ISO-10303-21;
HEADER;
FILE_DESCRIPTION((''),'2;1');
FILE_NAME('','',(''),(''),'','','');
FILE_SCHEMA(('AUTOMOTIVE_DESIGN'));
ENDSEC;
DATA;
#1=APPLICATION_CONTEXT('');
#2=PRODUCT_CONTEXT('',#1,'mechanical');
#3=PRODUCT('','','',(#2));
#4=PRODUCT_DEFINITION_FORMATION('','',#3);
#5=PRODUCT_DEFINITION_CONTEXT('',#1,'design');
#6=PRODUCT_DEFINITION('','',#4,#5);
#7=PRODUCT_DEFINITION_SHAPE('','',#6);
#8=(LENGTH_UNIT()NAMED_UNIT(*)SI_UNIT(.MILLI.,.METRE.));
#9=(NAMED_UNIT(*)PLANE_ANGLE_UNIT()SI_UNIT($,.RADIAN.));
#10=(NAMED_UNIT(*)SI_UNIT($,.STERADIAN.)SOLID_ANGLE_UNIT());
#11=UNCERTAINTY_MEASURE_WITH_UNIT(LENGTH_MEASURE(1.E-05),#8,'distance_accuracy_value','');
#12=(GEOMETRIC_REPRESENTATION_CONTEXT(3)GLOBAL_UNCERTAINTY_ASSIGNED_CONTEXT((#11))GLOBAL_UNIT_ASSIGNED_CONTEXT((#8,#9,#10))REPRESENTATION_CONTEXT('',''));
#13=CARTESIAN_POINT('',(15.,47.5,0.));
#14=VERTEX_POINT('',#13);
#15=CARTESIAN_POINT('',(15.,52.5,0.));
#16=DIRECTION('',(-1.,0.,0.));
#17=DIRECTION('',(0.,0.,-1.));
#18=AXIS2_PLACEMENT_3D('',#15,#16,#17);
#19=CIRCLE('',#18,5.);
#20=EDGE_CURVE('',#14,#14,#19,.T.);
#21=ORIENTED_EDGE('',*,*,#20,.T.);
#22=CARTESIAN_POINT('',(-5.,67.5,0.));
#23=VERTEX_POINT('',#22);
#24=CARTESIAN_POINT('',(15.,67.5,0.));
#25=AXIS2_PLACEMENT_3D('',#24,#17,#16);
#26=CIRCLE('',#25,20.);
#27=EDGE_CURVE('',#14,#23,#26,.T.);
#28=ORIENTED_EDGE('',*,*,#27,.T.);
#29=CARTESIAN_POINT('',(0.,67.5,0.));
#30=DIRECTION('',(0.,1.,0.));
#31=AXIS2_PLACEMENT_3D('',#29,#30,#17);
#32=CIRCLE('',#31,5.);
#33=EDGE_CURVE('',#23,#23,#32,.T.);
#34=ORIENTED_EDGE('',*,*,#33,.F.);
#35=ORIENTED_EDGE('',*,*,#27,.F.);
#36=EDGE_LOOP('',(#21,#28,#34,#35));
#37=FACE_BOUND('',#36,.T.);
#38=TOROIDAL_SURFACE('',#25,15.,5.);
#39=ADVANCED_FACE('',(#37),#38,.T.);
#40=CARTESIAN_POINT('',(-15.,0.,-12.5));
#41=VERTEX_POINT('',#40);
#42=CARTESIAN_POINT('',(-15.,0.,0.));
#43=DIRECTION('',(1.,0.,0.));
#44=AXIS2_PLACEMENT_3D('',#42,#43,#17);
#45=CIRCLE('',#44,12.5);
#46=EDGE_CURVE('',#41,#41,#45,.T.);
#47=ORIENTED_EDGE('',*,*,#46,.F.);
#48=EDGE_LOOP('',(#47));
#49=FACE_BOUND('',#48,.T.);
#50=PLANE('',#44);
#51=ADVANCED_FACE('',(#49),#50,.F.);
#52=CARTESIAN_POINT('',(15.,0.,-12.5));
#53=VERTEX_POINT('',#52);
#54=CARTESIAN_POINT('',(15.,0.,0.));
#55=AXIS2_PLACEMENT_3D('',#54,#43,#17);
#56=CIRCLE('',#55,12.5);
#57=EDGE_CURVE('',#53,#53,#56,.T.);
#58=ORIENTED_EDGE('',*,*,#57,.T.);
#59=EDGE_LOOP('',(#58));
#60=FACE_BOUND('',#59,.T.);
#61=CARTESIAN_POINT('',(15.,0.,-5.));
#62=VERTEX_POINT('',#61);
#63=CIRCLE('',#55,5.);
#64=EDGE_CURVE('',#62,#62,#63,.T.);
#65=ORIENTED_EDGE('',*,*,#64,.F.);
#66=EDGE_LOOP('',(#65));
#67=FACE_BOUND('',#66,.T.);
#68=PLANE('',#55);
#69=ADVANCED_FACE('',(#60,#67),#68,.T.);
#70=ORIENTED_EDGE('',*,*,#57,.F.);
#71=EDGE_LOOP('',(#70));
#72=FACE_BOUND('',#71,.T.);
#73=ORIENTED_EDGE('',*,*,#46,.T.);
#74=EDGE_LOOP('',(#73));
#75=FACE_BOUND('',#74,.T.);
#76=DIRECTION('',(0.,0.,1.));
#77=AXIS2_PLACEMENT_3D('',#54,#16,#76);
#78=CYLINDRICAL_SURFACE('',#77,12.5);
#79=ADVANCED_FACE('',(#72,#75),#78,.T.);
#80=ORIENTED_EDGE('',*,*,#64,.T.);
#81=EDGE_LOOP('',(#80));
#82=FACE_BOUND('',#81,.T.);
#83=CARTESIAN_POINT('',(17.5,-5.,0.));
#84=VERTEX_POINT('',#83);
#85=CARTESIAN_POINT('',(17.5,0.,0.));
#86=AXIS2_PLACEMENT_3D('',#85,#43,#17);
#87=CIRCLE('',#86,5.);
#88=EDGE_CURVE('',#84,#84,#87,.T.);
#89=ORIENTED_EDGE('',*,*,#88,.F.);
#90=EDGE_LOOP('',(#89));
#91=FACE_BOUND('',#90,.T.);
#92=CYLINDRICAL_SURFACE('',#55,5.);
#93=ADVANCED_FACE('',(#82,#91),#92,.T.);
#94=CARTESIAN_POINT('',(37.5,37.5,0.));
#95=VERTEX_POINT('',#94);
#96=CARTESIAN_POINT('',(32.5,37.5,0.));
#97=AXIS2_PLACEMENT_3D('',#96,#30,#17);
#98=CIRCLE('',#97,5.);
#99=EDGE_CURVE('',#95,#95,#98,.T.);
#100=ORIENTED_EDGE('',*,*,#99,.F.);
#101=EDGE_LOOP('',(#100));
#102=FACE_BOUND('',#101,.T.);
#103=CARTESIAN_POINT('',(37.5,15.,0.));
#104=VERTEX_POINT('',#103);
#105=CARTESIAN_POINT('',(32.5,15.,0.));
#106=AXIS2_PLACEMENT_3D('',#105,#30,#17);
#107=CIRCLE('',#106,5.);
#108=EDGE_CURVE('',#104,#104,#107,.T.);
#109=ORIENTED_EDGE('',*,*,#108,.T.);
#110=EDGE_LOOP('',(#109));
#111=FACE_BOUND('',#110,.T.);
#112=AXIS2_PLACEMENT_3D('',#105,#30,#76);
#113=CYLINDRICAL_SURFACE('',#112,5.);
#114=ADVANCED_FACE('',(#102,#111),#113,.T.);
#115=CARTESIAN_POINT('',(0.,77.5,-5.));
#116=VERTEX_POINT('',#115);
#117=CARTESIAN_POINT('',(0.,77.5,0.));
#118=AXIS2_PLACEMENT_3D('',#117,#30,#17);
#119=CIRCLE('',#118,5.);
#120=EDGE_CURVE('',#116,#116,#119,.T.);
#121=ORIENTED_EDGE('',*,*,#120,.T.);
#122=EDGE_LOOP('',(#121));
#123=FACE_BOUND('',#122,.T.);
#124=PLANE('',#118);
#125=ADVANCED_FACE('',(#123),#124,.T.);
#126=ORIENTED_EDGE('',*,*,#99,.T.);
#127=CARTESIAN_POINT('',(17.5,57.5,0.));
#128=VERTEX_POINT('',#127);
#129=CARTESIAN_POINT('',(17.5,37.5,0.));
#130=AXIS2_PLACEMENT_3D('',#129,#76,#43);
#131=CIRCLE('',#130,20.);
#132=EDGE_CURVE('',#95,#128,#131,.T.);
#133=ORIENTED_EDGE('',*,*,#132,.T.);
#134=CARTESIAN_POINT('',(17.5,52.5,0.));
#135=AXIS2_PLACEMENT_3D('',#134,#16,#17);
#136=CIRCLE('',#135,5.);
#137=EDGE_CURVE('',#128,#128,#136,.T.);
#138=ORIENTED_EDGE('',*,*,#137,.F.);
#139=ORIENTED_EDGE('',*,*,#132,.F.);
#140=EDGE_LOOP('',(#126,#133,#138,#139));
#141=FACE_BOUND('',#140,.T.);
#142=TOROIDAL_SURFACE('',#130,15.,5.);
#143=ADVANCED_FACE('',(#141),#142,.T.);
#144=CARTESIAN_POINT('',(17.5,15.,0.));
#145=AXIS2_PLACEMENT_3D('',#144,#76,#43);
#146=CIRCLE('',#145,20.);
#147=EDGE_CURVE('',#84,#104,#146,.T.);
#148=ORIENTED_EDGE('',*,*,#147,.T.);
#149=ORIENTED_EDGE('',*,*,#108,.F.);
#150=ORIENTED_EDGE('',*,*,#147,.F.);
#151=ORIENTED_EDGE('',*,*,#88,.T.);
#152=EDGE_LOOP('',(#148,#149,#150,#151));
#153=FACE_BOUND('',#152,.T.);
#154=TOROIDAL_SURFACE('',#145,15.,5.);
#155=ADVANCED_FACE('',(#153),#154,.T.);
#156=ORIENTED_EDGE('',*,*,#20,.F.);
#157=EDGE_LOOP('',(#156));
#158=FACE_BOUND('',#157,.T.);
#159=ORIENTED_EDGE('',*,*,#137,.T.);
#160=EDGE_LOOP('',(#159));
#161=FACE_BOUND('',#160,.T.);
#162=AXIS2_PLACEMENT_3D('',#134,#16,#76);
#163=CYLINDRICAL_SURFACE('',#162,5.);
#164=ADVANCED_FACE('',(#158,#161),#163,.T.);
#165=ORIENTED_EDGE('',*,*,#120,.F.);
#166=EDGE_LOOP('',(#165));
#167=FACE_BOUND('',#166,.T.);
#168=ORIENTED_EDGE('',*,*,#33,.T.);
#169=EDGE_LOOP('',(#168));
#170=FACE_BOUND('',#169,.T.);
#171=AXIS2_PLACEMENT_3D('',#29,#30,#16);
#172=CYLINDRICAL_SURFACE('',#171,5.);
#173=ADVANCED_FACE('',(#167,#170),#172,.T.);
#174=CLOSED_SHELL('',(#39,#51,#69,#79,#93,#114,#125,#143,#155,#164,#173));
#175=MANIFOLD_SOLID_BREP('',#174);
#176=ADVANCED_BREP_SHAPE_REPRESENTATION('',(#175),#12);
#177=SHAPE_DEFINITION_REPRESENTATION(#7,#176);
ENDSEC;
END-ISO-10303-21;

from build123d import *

# Parameters (mm, degrees)
SKETCH1_R           = 12.5
BOSS_EXTRUDE1_DEPTH = 15
SKETCH8_R           = 5


with BuildPart() as part:
    # Sketch1 → Boss-Extrude1 (new, symmetric)
    with BuildSketch(Plane(origin=(0, 0, 0), x_dir=(0, 0, -1), z_dir=(1, 0, 0))):
        Circle(SKETCH1_R)
    extrude(amount=BOSS_EXTRUDE1_DEPTH, both=True)

    # Sweep1: sweep along a path in Sketch7
    with BuildLine(Plane.XY) as sweep1_path:
        Line((15, 0), (17.5, 0))
        ThreePointArc((17.5, 0), (28.106601718, 4.393398282), (32.5, 15))
        Line((32.5, 15), (32.5, 37.5))
        ThreePointArc((32.5, 37.5), (28.106601718, 48.106601718), (17.5, 52.5))
        Line((17.5, 52.5), (15, 52.5))
        ThreePointArc((15, 52.5), (4.393398282, 56.893398282), (0, 67.5))
        Line((0, 67.5), (0, 77.5))
    # Sketch8 → Sweep1 (sweep)
    with BuildSketch(Plane(origin=(15, 0, 0), x_dir=(0, 0, -1), z_dir=(1, 0, 0))):
        Circle(SKETCH8_R)
    sweep(path=sweep1_path.line)


solid = part.part
